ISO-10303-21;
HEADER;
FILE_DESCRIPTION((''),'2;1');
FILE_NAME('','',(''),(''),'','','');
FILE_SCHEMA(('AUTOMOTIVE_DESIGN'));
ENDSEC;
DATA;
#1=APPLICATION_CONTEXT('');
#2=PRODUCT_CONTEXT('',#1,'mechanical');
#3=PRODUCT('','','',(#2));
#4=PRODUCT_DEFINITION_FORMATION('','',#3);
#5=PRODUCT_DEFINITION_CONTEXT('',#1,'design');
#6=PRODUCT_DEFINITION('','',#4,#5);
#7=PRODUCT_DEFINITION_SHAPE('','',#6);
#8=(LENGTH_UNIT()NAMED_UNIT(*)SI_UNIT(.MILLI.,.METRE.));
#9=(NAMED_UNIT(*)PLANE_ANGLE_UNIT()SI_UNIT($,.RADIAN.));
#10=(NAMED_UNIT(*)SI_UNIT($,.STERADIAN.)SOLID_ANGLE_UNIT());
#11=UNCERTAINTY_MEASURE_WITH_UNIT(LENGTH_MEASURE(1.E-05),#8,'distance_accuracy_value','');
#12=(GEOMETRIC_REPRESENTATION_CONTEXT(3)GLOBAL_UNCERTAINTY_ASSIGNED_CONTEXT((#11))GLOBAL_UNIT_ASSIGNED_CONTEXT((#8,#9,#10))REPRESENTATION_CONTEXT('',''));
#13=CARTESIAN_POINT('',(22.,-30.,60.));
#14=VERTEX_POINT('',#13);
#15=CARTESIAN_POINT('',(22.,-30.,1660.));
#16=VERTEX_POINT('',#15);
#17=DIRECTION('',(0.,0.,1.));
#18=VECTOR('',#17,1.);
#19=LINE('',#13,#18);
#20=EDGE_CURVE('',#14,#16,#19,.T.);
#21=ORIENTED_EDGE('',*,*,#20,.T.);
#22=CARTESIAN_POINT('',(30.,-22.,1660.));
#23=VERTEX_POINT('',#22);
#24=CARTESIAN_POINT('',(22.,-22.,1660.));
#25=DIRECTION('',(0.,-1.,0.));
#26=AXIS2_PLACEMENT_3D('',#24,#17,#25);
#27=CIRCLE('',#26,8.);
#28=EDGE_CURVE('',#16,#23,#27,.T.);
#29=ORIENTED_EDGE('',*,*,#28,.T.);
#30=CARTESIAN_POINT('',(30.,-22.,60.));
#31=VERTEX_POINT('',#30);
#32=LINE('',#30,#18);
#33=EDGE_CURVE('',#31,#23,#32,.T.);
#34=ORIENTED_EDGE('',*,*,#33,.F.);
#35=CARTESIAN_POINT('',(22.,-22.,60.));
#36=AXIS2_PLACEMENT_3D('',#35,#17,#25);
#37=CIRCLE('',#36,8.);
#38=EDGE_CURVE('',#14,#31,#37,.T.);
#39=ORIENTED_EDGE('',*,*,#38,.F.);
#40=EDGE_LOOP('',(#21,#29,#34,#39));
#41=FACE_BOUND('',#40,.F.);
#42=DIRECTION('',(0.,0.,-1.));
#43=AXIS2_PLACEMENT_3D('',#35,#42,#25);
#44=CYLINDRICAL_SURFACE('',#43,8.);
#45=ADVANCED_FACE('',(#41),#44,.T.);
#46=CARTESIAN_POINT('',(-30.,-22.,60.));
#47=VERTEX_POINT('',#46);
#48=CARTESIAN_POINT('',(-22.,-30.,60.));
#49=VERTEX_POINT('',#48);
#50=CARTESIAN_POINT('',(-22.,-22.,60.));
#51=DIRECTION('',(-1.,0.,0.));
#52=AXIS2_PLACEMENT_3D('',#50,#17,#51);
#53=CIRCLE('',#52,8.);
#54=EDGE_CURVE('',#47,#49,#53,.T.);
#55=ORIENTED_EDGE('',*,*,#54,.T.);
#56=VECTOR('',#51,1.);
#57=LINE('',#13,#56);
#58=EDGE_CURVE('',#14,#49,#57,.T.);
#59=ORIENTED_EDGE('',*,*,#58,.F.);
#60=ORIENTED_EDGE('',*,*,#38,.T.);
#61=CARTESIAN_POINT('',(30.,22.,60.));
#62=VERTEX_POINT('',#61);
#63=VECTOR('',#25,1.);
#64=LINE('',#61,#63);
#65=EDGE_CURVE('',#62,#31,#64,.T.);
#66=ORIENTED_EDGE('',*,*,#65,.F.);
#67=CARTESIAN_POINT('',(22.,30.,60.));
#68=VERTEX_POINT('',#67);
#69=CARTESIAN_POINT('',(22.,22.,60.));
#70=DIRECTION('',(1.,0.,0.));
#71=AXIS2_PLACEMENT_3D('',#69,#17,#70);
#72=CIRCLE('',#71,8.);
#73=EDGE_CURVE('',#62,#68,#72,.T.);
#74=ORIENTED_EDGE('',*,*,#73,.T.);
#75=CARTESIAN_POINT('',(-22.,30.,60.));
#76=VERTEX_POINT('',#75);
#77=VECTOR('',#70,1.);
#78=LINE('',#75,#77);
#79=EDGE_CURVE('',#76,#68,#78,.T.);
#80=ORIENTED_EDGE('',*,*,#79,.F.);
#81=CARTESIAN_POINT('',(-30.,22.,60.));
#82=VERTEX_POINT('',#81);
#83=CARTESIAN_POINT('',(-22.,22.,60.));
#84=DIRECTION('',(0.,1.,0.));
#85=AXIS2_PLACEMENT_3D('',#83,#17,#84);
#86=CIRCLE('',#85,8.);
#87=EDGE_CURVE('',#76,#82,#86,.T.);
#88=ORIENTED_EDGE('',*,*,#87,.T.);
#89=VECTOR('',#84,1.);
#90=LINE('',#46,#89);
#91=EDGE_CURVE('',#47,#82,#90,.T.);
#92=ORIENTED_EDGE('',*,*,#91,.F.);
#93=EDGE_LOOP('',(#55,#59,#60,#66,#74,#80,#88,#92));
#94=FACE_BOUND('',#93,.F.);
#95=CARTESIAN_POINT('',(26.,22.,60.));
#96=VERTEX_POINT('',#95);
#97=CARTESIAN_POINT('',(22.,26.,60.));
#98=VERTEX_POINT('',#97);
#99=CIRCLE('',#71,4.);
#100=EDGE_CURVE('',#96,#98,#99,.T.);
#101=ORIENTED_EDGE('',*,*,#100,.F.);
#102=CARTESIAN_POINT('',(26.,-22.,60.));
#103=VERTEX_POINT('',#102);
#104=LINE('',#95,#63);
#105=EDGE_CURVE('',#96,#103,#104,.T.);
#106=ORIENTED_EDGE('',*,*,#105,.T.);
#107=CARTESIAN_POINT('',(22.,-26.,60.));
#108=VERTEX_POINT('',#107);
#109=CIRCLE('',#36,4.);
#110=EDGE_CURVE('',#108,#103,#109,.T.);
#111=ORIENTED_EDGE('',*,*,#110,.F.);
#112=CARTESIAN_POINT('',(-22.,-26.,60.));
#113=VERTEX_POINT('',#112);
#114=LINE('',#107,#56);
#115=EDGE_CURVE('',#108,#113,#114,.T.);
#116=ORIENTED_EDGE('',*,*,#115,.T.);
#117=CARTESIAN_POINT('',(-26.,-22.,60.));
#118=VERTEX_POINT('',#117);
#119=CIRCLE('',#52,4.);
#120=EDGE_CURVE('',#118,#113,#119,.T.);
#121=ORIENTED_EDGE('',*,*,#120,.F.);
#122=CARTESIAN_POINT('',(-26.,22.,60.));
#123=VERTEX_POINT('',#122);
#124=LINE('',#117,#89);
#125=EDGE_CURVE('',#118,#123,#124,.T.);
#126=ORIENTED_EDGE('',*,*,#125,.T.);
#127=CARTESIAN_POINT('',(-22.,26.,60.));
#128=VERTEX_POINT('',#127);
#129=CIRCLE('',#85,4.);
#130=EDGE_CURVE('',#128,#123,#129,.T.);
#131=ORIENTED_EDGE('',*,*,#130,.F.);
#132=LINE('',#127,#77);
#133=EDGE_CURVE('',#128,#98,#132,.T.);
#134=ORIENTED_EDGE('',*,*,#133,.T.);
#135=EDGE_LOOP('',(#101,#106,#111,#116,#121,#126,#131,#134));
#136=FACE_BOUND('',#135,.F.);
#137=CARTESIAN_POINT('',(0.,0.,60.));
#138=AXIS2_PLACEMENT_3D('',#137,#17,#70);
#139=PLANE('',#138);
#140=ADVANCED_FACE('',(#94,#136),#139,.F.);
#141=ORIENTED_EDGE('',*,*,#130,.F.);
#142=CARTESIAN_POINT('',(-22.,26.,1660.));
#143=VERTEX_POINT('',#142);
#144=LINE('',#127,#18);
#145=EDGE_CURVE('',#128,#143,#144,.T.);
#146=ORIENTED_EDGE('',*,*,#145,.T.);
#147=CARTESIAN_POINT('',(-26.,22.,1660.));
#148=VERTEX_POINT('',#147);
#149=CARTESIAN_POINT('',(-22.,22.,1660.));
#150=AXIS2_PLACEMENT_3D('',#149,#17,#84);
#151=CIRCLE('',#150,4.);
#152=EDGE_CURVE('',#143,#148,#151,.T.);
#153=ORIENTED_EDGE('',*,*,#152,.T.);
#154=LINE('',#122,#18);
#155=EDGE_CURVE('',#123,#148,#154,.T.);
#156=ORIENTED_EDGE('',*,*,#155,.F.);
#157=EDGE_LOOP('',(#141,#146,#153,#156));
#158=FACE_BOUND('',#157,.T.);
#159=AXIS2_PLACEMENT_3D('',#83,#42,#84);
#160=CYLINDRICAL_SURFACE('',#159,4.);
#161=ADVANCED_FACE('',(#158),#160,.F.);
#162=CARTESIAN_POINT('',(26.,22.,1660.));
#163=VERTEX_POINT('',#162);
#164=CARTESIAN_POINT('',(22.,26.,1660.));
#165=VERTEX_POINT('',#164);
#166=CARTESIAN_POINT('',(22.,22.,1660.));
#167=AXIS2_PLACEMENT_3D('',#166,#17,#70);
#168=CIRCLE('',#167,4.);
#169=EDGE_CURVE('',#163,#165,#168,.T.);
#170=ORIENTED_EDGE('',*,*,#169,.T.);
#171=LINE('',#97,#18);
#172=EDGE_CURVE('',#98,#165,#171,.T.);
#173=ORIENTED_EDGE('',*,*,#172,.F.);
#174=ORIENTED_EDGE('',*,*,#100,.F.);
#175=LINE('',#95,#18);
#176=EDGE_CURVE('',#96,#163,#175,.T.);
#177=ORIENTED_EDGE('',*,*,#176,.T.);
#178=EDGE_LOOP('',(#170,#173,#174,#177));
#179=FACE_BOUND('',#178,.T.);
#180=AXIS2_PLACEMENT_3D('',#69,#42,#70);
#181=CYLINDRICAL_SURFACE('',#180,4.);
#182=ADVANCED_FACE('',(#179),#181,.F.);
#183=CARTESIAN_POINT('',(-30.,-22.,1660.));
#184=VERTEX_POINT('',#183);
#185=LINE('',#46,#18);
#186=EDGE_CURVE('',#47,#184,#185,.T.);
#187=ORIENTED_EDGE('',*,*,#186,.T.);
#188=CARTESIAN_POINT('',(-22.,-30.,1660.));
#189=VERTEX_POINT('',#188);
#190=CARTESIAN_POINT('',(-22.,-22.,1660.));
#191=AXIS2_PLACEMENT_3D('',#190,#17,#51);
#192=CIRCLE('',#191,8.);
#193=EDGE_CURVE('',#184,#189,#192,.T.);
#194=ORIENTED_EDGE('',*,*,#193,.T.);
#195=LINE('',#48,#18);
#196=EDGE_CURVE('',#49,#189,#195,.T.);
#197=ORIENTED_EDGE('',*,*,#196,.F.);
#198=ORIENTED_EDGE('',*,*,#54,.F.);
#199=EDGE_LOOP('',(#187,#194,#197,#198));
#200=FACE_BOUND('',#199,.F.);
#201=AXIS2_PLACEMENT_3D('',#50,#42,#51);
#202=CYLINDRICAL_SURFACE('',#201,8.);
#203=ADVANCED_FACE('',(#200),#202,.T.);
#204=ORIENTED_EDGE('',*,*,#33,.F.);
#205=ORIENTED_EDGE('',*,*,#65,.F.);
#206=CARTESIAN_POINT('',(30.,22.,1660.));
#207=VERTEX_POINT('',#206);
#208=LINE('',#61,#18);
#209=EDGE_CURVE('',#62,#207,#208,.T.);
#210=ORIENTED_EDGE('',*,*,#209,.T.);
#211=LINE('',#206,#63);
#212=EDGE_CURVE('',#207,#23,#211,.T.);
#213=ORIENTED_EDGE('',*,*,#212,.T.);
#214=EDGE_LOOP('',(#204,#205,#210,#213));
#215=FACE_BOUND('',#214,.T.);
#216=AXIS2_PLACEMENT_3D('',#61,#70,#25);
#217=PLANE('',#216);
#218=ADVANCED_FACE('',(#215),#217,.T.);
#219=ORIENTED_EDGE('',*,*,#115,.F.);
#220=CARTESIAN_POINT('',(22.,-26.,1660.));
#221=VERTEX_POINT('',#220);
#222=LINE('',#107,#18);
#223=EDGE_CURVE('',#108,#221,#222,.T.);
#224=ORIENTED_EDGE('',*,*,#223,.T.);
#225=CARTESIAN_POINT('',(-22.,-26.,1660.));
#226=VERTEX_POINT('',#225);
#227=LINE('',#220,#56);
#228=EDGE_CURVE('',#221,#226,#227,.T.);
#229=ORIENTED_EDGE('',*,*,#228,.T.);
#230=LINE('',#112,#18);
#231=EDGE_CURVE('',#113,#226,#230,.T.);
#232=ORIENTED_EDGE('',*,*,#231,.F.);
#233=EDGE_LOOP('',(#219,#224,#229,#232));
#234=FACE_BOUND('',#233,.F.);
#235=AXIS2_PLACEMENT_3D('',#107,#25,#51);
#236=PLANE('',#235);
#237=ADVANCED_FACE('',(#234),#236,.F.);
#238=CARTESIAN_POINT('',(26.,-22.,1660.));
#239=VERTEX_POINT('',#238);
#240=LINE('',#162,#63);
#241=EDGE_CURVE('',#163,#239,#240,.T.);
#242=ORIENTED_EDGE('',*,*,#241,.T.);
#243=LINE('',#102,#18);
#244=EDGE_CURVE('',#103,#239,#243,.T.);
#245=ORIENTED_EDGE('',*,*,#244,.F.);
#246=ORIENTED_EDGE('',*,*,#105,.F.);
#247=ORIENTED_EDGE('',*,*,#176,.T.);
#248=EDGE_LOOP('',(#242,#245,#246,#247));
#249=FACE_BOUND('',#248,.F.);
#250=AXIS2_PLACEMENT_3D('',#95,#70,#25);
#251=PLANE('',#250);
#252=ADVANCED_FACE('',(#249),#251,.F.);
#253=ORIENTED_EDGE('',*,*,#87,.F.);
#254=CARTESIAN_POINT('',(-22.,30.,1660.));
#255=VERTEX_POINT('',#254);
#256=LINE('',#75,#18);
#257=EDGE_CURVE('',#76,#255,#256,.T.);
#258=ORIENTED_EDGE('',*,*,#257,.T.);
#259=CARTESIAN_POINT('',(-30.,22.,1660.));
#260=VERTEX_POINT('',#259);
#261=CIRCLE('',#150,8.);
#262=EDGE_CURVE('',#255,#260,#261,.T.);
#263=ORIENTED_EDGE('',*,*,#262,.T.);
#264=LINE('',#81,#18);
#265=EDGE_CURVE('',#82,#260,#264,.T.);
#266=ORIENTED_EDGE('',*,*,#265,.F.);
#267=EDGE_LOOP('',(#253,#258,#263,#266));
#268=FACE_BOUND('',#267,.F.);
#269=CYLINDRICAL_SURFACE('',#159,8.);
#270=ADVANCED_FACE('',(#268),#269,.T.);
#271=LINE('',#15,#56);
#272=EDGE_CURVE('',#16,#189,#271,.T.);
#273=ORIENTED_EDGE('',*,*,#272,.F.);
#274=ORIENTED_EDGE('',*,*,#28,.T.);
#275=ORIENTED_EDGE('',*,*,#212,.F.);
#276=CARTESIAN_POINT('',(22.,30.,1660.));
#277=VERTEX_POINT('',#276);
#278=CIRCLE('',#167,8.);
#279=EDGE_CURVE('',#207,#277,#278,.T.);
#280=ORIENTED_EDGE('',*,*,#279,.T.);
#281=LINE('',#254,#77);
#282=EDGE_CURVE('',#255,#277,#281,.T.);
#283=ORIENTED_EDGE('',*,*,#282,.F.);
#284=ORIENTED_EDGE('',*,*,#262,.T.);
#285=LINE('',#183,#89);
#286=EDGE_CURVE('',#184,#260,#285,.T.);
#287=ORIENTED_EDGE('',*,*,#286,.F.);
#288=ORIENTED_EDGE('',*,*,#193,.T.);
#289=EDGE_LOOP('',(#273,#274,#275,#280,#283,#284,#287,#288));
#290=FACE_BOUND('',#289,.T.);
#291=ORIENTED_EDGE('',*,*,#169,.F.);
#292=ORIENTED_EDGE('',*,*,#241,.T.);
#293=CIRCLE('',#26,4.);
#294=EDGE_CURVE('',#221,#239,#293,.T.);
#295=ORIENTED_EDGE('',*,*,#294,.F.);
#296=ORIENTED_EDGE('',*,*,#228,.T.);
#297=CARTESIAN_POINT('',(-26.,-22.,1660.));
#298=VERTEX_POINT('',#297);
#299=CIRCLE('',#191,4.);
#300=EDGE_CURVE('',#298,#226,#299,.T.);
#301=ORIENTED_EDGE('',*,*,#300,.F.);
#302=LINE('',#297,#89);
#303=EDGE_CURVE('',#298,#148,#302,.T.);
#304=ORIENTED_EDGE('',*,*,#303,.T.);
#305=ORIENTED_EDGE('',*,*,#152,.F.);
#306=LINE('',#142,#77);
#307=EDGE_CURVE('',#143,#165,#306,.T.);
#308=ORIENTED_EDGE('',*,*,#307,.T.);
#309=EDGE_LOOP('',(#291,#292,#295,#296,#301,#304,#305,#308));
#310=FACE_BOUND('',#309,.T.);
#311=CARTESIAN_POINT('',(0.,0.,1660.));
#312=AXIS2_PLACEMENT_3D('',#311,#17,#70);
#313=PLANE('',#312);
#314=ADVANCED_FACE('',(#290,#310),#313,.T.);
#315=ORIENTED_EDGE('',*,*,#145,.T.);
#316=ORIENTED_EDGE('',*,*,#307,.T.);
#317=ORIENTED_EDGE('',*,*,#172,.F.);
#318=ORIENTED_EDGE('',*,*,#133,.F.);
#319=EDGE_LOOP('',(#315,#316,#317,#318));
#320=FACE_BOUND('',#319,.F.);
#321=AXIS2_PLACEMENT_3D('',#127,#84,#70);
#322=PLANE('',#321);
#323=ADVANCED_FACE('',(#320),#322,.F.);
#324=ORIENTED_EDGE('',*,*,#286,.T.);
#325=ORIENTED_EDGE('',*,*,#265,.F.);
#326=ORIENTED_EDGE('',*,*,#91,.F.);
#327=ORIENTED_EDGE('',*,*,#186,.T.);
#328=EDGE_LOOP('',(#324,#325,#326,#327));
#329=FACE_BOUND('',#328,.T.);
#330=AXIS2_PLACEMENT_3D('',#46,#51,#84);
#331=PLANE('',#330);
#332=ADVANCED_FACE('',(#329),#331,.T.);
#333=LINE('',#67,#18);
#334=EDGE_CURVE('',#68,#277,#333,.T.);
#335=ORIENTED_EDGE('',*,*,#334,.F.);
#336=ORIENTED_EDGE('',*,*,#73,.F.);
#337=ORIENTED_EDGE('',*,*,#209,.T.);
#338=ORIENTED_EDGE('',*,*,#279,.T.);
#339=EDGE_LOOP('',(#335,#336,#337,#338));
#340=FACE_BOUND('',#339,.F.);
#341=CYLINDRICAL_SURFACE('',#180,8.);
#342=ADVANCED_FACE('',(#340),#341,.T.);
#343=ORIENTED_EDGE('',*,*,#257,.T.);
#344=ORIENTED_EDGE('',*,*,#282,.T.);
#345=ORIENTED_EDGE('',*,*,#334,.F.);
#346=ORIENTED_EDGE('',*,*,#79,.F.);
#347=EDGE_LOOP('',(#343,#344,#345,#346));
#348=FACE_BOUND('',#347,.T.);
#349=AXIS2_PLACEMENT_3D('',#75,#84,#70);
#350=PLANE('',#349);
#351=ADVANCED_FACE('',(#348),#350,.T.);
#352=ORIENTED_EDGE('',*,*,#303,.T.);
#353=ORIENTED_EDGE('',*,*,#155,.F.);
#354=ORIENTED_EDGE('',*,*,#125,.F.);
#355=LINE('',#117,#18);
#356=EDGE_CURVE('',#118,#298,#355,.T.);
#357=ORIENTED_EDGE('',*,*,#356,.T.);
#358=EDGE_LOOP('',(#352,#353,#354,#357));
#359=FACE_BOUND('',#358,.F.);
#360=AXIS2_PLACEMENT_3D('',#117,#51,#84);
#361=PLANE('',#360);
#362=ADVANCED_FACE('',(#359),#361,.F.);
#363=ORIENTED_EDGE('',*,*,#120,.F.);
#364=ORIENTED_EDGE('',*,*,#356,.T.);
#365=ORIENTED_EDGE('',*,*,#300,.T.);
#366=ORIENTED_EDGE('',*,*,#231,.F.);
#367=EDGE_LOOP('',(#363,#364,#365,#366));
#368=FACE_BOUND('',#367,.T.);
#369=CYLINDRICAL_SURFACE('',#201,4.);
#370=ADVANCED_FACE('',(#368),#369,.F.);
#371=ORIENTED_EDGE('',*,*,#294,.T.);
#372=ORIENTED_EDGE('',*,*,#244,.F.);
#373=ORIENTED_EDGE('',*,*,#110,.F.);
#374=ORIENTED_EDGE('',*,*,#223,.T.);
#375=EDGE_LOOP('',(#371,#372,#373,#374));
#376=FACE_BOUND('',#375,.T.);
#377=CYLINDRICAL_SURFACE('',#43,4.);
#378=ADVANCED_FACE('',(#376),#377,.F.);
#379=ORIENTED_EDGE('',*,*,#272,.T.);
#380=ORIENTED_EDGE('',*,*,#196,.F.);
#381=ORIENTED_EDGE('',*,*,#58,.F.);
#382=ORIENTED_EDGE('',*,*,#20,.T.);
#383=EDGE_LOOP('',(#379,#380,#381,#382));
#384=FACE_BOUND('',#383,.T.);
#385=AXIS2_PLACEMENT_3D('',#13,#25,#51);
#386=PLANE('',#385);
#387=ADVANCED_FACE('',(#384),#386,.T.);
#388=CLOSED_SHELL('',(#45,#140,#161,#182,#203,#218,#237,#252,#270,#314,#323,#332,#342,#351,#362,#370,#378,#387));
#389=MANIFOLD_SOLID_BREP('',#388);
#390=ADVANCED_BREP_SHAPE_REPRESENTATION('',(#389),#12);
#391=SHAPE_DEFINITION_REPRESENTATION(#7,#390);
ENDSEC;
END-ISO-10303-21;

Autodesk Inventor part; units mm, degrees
ref_plane "Start Plane" through (0, 0, 60) normal (0, 0, 1) x (1, 0, 0)
ref_plane "End Plane" through (0, 0, 1660) normal (0, 0, 1) x (1, 0, 0)
sketch "Sketch" plane through (0, 0, 0) normal (0, 0, 1) x (1, 0, 0)
  line L0 (-30, -22) -> (-30, 22)
  line L1 (-22, 30) -> (22, 30)
  line L2 (30, 22) -> (30, -22)
  line L3 (22, -30) -> (-22, -30)
  arc A0 (-30, -22) -> (-22, -30) centre (-22, -22) ccw
  arc A1 (30, 22) -> (22, 30) centre (22, 22) ccw
  arc A2 (-22, 30) -> (-30, 22) centre (-22, 22) ccw
  arc A3 (22, -30) -> (30, -22) centre (22, -22) ccw
  arc A4 (-22, 26) -> (-26, 22) centre (-22, 22) ccw
  line L4 (-22, 26) -> (22, 26)
  arc A5 (26, 22) -> (22, 26) centre (22, 22) ccw
  line L5 (26, 22) -> (26, -22)
  arc A6 (22, -26) -> (26, -22) centre (22, -22) ccw
  line L6 (22, -26) -> (-22, -26)
  arc A7 (-26, -22) -> (-22, -26) centre (-22, -22) ccw
  line L7 (-26, -22) -> (-26, 22)
  line L8 (0, 44.3196) -> (0, -44.3196) construction
  line L9 (-44.3196, 0) -> (44.3196, 0) construction
  dimension "d7" = 8
  dimension "d9" = 60
  dimension "d11" = 60
  dimension "d12" = 4
  dimension "d15" = 30
  dimension "d16" = 30
extrude "Body" add sketch "Sketch" along normal up to surface (1600 mm away) from surface at 60
sketch "Sketch3" plane through (0, 0, 0) normal (0, 0, 1) x (1, 0, 0)
  line L0 (0, 0) -> (10, 0)
ref_plane "Work Plane3" through (0, 0, 0) normal (0, -1, 0) x (1, 0, 0)
ref_plane "Work Plane4" through (-22, -1690, 1660) normal (0, 0, 1) x (1, 0, 0)
split "Split1" plane through (-22, -1690, 1660) removes the side toward (0, 0, 1)
ref_plane "Work Plane5" through (22, -1890, 60) normal (0, 0, -1) x (-1, 0, 0)
split "Split2" plane through (22, -1890, 60) removes the side toward (0, 0, -1)
sketch "Sketch4" plane through (0, 0, 0) normal (0, -1, 0) x (1, 0, 0)
  line L0 (-2, 60) -> (12, 60) projected
  line L1 (-2, 1660) -> (12, 1660) projected
  dimension "d18" = 1600
equation "\"d7\" = G_IR"
equation "\"d9\" = G_W"
equation "\"d11\" = G_H"
equation "\"d12\" = G_T"
equation "\"d15\" = 0.5 * d9"
equation "\"d16\" = 0.5 * d11"
equation "\"d3\" = G_L"
equation "\"G_W\" = 60"
equation "\"G_H\" = 60"
equation "\"G_T\" = 4"
equation "\"G_IR\" = 8"
equation "\"G_L\" = d18"
properties part number "ISO 4019 - 60x60x4 - 1600" material "Steel, Mild"
